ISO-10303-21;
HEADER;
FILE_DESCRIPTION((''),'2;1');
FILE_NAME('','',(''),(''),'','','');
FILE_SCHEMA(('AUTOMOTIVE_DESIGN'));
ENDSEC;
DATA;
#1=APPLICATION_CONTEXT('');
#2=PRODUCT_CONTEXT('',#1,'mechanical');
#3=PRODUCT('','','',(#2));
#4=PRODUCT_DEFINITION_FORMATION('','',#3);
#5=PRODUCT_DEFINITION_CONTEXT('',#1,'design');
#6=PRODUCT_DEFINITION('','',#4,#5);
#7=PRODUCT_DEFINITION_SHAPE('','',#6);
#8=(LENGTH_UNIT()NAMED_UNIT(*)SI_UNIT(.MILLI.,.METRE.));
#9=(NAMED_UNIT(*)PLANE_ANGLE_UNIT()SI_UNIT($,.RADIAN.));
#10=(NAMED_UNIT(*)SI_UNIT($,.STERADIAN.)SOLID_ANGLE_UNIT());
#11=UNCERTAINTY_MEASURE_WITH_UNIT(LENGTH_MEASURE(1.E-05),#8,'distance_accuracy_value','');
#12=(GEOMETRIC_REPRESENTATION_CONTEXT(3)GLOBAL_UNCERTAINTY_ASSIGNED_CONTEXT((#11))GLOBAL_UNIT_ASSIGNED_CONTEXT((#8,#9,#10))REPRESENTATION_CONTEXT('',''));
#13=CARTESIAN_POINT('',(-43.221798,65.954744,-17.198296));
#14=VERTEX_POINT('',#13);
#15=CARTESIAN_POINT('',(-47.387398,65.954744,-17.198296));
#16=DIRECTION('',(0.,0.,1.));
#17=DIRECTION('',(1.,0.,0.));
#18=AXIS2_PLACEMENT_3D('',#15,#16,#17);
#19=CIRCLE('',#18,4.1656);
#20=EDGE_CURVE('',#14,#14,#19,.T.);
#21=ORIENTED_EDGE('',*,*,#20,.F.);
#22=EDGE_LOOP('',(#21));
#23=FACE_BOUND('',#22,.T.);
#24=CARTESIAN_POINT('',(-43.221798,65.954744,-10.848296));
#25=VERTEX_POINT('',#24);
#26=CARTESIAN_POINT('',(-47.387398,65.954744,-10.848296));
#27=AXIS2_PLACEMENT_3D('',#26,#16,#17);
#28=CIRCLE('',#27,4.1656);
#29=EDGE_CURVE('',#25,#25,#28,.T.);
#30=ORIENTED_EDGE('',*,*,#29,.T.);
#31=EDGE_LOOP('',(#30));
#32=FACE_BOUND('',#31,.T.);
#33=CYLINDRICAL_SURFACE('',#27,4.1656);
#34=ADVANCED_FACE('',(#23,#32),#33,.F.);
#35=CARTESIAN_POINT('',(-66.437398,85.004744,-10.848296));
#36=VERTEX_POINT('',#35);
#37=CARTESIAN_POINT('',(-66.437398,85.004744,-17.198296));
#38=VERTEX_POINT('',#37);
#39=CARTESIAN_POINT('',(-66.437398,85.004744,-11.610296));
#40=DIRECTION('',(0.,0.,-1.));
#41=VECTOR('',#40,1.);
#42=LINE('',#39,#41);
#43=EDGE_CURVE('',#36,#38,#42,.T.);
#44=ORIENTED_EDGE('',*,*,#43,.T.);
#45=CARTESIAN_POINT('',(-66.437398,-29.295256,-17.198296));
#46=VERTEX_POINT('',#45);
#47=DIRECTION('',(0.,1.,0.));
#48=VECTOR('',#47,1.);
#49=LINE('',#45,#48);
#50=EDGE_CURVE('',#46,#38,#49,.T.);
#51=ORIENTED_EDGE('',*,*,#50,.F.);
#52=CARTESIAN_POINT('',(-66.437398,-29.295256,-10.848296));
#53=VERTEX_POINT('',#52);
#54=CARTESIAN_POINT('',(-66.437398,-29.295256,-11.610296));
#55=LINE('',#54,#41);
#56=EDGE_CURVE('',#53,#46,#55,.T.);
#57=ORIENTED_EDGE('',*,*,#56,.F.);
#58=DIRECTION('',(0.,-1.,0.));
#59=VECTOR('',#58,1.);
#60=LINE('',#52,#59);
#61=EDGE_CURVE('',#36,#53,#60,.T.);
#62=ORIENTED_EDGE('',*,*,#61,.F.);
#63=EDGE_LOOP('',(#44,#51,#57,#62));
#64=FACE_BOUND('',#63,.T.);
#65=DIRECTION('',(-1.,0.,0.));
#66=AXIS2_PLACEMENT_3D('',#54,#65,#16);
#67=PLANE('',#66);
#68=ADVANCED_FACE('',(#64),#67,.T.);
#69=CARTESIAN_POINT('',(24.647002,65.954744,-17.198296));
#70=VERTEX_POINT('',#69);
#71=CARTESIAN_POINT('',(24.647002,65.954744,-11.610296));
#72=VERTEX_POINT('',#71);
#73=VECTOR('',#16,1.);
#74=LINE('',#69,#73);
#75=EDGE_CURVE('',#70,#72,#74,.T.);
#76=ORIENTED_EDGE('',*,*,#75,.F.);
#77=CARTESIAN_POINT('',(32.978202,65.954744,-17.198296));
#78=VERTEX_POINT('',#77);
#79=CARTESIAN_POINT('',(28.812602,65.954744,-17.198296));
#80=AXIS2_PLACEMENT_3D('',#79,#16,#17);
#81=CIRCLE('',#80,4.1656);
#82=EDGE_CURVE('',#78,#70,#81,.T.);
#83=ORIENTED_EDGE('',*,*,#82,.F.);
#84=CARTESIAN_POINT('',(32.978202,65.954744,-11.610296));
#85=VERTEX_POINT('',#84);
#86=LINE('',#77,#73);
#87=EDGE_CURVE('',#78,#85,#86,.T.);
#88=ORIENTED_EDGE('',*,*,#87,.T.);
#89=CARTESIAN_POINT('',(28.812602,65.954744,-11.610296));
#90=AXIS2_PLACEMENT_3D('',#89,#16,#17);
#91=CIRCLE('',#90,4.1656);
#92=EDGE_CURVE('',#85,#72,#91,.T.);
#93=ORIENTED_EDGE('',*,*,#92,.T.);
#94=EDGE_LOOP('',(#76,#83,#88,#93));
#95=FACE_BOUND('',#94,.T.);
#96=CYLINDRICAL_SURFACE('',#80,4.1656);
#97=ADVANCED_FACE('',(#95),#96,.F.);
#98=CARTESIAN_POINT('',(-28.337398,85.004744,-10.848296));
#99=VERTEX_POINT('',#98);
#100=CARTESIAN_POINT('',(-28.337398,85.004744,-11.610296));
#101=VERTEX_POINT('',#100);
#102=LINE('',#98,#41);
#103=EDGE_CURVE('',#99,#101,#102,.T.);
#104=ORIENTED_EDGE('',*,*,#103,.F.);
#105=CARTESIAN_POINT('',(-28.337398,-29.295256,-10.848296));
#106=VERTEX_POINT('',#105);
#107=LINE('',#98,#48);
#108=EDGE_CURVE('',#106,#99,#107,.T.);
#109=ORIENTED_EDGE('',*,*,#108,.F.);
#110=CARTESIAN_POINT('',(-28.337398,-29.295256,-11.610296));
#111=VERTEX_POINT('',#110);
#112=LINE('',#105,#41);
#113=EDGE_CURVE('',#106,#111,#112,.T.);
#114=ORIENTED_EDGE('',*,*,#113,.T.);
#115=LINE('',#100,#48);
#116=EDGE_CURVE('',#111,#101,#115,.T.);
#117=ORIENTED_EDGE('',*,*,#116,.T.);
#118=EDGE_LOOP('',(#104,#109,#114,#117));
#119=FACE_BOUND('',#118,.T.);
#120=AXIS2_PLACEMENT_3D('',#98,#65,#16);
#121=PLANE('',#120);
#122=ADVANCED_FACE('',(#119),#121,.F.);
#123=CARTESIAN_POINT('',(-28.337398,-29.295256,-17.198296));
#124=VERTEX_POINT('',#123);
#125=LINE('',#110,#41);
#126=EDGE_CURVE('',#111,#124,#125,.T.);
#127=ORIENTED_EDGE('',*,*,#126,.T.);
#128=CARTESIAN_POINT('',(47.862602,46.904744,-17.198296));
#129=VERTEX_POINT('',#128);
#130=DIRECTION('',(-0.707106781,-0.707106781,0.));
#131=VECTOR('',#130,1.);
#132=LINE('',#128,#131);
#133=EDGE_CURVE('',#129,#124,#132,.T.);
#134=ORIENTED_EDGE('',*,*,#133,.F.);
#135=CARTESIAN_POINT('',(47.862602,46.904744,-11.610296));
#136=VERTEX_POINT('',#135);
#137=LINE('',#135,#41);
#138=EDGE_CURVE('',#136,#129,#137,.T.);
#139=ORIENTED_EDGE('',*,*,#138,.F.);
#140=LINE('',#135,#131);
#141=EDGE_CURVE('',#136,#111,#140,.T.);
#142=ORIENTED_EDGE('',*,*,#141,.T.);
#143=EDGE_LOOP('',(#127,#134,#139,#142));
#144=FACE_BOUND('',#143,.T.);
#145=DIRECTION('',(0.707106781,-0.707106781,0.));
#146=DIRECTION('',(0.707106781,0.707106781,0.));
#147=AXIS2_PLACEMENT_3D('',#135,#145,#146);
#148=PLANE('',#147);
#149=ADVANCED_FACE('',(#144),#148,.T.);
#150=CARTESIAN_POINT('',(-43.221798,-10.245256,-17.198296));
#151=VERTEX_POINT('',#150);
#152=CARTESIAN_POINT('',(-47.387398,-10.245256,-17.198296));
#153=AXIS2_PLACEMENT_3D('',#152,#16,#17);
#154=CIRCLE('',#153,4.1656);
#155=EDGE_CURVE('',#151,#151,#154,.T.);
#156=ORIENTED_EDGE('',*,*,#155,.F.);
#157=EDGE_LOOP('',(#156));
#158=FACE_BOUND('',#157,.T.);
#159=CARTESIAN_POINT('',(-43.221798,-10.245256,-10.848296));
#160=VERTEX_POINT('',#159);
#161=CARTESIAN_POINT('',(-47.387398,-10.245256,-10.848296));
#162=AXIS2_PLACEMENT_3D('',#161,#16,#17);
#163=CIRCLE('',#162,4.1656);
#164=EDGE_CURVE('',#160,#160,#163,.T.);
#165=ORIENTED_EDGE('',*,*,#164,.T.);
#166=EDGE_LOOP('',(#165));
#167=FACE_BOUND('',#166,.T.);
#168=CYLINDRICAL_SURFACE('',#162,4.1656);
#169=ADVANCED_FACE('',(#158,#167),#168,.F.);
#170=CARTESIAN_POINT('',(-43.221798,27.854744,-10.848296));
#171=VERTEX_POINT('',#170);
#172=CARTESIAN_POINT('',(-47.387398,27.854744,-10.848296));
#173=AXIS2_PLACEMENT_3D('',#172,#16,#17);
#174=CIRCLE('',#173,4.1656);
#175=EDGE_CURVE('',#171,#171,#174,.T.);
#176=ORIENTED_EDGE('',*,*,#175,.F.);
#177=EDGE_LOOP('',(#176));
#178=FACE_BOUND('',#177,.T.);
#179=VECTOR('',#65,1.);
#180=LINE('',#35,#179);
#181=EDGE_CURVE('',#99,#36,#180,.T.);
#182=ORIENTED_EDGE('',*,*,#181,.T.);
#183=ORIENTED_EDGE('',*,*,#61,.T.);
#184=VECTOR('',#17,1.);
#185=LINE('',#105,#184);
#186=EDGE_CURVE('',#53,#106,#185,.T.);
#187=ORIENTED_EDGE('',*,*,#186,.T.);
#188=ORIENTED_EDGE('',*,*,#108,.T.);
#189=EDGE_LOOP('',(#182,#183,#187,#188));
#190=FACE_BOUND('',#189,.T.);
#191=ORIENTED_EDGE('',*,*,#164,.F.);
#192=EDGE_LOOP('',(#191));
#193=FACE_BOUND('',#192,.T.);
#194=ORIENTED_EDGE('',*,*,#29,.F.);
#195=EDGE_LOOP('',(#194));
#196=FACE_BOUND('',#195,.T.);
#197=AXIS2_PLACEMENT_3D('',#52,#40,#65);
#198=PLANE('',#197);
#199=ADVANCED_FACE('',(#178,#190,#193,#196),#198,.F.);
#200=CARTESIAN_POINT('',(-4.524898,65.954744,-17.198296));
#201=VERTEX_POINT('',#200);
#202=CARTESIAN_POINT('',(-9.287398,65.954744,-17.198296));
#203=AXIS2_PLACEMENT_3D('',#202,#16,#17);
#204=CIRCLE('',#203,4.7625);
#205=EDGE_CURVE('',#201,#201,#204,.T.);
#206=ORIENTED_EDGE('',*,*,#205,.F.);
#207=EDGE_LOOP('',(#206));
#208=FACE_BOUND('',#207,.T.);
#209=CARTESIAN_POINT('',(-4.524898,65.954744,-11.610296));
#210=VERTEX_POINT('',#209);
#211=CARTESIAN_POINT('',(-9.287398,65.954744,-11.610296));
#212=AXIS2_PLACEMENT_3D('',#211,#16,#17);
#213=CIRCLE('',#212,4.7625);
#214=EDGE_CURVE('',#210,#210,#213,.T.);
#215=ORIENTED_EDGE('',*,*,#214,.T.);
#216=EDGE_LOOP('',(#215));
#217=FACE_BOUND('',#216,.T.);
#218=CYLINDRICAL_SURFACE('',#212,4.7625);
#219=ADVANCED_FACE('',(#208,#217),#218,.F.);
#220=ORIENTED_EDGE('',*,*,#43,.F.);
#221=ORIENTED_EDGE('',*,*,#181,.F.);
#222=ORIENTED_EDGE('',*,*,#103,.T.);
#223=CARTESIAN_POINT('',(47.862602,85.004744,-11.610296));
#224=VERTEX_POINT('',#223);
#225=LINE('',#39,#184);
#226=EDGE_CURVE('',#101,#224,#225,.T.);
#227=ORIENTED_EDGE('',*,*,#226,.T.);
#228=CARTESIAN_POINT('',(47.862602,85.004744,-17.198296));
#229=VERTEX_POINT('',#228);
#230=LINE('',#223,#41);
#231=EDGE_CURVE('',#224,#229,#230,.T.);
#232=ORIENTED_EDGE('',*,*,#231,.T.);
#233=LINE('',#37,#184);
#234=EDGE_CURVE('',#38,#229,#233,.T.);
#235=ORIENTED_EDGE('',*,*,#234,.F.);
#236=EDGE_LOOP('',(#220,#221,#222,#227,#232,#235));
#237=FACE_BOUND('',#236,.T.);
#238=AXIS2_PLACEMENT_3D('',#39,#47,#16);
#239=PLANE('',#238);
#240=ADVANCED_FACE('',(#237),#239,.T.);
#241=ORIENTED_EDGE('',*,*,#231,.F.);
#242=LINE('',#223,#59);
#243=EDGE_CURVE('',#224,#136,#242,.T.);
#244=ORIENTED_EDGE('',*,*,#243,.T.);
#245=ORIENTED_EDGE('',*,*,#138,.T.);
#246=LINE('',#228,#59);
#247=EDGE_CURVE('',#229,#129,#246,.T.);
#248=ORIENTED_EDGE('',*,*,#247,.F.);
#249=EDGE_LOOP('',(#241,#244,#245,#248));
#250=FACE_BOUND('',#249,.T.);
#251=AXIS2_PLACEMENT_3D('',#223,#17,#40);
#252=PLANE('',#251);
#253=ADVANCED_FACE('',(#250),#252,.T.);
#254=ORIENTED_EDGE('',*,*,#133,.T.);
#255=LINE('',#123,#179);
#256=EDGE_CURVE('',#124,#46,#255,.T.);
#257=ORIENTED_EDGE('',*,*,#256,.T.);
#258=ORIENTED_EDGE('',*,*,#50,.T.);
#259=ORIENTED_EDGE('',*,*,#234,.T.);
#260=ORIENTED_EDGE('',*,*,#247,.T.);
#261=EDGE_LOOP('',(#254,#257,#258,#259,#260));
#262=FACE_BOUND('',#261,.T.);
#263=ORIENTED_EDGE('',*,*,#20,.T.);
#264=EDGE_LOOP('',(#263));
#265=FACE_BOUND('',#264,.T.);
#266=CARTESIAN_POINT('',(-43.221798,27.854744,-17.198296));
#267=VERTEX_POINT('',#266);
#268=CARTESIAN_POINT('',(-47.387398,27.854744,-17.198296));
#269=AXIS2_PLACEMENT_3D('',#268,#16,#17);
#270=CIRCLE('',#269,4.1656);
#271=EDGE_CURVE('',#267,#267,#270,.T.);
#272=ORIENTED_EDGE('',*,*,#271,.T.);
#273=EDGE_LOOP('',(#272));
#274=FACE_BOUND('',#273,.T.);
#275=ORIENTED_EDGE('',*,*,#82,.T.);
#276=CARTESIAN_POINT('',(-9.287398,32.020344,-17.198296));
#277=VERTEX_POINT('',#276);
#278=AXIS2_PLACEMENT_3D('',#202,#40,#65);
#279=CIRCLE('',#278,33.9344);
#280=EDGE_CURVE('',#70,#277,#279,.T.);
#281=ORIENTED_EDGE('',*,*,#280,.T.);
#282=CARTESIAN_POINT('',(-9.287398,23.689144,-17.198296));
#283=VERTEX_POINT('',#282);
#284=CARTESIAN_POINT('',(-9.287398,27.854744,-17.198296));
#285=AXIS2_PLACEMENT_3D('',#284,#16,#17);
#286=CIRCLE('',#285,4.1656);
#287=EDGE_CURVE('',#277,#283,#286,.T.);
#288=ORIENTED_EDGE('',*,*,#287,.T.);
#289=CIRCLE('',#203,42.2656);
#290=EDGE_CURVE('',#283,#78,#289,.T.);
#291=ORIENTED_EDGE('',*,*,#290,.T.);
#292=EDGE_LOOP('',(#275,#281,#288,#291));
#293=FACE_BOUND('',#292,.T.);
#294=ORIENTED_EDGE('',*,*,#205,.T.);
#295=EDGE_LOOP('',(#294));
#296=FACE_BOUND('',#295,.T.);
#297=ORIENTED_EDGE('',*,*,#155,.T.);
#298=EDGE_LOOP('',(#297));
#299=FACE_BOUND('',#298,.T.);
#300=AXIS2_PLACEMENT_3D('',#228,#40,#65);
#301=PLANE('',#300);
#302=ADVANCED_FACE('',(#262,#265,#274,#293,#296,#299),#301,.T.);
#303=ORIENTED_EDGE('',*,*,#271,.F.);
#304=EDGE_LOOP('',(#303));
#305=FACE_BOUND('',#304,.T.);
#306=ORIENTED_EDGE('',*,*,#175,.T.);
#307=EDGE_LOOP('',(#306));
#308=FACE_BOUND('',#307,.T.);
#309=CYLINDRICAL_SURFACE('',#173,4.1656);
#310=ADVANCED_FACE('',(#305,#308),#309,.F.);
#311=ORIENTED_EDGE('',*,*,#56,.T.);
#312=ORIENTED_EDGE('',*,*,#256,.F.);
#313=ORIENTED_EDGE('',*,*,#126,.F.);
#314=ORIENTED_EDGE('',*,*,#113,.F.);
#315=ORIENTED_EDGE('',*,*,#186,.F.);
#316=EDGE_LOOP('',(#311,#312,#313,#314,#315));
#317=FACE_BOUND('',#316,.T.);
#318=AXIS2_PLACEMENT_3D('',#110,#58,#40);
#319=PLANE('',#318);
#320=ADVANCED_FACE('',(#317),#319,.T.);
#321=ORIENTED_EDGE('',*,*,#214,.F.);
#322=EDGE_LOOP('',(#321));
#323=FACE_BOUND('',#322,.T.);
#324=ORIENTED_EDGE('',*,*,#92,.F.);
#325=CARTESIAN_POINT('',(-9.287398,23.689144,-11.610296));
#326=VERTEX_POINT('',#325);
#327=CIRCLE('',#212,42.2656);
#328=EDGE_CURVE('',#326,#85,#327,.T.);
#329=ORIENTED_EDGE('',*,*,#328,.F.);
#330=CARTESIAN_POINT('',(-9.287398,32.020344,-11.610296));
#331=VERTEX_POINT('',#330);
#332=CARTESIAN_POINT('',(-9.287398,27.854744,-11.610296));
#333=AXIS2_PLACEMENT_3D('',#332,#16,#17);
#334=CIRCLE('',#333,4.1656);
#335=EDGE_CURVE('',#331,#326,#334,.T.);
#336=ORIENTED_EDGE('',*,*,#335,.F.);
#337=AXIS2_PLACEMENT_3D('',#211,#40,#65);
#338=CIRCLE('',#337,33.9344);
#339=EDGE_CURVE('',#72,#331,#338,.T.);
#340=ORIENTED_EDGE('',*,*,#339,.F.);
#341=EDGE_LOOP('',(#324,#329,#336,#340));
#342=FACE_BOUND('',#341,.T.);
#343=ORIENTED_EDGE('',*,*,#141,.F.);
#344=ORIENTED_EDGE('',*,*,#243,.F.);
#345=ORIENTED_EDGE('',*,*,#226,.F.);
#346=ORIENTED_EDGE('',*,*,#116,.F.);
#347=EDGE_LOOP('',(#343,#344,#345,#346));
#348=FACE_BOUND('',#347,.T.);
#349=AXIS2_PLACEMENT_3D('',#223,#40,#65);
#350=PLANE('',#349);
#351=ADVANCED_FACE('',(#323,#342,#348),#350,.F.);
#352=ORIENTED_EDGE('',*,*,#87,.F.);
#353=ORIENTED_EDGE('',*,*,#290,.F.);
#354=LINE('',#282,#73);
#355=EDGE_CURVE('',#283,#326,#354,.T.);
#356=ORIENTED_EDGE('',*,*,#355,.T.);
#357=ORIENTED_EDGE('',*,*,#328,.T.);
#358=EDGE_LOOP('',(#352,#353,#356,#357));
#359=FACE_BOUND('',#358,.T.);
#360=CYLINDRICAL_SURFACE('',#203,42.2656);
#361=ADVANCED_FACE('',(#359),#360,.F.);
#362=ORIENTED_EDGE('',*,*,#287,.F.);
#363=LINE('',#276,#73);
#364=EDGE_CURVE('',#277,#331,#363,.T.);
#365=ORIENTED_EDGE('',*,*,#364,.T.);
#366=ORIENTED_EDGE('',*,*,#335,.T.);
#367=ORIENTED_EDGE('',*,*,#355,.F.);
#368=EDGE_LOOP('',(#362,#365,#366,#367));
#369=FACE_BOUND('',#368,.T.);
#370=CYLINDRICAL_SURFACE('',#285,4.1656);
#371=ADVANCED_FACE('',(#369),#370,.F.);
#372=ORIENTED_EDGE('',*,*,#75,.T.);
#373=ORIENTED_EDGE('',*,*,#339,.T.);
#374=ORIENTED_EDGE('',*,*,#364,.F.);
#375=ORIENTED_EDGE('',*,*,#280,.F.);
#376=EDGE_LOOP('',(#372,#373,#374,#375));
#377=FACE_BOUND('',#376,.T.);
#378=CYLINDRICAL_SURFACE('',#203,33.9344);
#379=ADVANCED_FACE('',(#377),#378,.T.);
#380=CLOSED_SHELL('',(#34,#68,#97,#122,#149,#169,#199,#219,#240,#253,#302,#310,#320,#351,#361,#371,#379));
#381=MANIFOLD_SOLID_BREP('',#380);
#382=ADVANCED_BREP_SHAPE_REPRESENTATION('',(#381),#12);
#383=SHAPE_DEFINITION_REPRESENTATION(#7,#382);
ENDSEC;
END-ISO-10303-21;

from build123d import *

# Parameters (mm, degrees)
BOSS_EXTRUDE1_DEPTH  = 5.588
SKETCH2_W            = 38.1
SKETCH2_H            = 114.3
BOSS_EXTRUDE2_DEPTH  = 0.762
CUT_EXTRUDE1_DEPTH   = 109.03221727
HOLE1_D              = 8.3312
HOLE2_D              = 8.3312
HOLE3_D              = 8.3312
M8_CLEARANCE_HOLE1_D = 9.525


with BuildPart() as part:
    # Sketch1 → Boss-Extrude1 (new body)
    with BuildSketch(Plane(origin=(0, 0, -17.198296107), x_dir=(-1, 0, 0), z_dir=(0, 0, -1))):
        Polygon((-47.86260239, 85.004743533), (-47.86260239, 46.904743533), (28.33739761, -29.295256467), (66.43739761, -29.295256467), (66.43739761, 85.004743533), align=None)
    extrude(amount=-BOSS_EXTRUDE1_DEPTH)

    # Sketch2 → Boss-Extrude2 (add)
    with BuildSketch(Plane.XY.offset(-11.610296107)):
        with Locations((-47.38739761, 27.854743533)):
            Rectangle(SKETCH2_W, SKETCH2_H)
    extrude(amount=BOSS_EXTRUDE2_DEPTH)

    # Sketch3 → Cut-Extrude1 (cut, through all)
    with BuildSketch(Plane.XY.offset(-11.610296107)):
        with BuildLine():
            ThreePointArc((-9.28739761, 23.689143533), (20.598894761, 36.068451162), (32.97820239, 65.954743533))
            ThreePointArc((32.97820239, 65.954743533), (28.81260239, 70.120343533), (24.64700239, 65.954743533))
            ThreePointArc((24.64700239, 65.954743533), (14.707846746, 41.959499178), (-9.28739761, 32.020343533))
            ThreePointArc((-9.28739761, 32.020343533), (-13.45299761, 27.854743533), (-9.28739761, 23.689143533))
        make_face()
    extrude(amount=-CUT_EXTRUDE1_DEPTH, mode=Mode.SUBTRACT)

    # Hole1 (through all)
    with Locations(Plane.XY.offset(-10.848296107)):
        with Locations((-47.38739761, -10.245256467)):
            Hole(HOLE1_D / 2)

    # Hole2 (through all)
    with Locations(Plane.XY.offset(-10.848296107)):
        with Locations((-47.38739761, 65.954743533)):
            Hole(HOLE2_D / 2)

    # Hole3 (through all)
    with Locations(Plane.XY.offset(-10.848296107)):
        with Locations((-47.38739761, 27.854743533)):
            Hole(HOLE3_D / 2)

    # M8 Clearance Hole1 (through all)
    with Locations(Plane.XY.offset(-11.610296107)):
        with Locations((-9.28739761, 65.954743533)):
            Hole(M8_CLEARANCE_HOLE1_D / 2)


solid = part.part
